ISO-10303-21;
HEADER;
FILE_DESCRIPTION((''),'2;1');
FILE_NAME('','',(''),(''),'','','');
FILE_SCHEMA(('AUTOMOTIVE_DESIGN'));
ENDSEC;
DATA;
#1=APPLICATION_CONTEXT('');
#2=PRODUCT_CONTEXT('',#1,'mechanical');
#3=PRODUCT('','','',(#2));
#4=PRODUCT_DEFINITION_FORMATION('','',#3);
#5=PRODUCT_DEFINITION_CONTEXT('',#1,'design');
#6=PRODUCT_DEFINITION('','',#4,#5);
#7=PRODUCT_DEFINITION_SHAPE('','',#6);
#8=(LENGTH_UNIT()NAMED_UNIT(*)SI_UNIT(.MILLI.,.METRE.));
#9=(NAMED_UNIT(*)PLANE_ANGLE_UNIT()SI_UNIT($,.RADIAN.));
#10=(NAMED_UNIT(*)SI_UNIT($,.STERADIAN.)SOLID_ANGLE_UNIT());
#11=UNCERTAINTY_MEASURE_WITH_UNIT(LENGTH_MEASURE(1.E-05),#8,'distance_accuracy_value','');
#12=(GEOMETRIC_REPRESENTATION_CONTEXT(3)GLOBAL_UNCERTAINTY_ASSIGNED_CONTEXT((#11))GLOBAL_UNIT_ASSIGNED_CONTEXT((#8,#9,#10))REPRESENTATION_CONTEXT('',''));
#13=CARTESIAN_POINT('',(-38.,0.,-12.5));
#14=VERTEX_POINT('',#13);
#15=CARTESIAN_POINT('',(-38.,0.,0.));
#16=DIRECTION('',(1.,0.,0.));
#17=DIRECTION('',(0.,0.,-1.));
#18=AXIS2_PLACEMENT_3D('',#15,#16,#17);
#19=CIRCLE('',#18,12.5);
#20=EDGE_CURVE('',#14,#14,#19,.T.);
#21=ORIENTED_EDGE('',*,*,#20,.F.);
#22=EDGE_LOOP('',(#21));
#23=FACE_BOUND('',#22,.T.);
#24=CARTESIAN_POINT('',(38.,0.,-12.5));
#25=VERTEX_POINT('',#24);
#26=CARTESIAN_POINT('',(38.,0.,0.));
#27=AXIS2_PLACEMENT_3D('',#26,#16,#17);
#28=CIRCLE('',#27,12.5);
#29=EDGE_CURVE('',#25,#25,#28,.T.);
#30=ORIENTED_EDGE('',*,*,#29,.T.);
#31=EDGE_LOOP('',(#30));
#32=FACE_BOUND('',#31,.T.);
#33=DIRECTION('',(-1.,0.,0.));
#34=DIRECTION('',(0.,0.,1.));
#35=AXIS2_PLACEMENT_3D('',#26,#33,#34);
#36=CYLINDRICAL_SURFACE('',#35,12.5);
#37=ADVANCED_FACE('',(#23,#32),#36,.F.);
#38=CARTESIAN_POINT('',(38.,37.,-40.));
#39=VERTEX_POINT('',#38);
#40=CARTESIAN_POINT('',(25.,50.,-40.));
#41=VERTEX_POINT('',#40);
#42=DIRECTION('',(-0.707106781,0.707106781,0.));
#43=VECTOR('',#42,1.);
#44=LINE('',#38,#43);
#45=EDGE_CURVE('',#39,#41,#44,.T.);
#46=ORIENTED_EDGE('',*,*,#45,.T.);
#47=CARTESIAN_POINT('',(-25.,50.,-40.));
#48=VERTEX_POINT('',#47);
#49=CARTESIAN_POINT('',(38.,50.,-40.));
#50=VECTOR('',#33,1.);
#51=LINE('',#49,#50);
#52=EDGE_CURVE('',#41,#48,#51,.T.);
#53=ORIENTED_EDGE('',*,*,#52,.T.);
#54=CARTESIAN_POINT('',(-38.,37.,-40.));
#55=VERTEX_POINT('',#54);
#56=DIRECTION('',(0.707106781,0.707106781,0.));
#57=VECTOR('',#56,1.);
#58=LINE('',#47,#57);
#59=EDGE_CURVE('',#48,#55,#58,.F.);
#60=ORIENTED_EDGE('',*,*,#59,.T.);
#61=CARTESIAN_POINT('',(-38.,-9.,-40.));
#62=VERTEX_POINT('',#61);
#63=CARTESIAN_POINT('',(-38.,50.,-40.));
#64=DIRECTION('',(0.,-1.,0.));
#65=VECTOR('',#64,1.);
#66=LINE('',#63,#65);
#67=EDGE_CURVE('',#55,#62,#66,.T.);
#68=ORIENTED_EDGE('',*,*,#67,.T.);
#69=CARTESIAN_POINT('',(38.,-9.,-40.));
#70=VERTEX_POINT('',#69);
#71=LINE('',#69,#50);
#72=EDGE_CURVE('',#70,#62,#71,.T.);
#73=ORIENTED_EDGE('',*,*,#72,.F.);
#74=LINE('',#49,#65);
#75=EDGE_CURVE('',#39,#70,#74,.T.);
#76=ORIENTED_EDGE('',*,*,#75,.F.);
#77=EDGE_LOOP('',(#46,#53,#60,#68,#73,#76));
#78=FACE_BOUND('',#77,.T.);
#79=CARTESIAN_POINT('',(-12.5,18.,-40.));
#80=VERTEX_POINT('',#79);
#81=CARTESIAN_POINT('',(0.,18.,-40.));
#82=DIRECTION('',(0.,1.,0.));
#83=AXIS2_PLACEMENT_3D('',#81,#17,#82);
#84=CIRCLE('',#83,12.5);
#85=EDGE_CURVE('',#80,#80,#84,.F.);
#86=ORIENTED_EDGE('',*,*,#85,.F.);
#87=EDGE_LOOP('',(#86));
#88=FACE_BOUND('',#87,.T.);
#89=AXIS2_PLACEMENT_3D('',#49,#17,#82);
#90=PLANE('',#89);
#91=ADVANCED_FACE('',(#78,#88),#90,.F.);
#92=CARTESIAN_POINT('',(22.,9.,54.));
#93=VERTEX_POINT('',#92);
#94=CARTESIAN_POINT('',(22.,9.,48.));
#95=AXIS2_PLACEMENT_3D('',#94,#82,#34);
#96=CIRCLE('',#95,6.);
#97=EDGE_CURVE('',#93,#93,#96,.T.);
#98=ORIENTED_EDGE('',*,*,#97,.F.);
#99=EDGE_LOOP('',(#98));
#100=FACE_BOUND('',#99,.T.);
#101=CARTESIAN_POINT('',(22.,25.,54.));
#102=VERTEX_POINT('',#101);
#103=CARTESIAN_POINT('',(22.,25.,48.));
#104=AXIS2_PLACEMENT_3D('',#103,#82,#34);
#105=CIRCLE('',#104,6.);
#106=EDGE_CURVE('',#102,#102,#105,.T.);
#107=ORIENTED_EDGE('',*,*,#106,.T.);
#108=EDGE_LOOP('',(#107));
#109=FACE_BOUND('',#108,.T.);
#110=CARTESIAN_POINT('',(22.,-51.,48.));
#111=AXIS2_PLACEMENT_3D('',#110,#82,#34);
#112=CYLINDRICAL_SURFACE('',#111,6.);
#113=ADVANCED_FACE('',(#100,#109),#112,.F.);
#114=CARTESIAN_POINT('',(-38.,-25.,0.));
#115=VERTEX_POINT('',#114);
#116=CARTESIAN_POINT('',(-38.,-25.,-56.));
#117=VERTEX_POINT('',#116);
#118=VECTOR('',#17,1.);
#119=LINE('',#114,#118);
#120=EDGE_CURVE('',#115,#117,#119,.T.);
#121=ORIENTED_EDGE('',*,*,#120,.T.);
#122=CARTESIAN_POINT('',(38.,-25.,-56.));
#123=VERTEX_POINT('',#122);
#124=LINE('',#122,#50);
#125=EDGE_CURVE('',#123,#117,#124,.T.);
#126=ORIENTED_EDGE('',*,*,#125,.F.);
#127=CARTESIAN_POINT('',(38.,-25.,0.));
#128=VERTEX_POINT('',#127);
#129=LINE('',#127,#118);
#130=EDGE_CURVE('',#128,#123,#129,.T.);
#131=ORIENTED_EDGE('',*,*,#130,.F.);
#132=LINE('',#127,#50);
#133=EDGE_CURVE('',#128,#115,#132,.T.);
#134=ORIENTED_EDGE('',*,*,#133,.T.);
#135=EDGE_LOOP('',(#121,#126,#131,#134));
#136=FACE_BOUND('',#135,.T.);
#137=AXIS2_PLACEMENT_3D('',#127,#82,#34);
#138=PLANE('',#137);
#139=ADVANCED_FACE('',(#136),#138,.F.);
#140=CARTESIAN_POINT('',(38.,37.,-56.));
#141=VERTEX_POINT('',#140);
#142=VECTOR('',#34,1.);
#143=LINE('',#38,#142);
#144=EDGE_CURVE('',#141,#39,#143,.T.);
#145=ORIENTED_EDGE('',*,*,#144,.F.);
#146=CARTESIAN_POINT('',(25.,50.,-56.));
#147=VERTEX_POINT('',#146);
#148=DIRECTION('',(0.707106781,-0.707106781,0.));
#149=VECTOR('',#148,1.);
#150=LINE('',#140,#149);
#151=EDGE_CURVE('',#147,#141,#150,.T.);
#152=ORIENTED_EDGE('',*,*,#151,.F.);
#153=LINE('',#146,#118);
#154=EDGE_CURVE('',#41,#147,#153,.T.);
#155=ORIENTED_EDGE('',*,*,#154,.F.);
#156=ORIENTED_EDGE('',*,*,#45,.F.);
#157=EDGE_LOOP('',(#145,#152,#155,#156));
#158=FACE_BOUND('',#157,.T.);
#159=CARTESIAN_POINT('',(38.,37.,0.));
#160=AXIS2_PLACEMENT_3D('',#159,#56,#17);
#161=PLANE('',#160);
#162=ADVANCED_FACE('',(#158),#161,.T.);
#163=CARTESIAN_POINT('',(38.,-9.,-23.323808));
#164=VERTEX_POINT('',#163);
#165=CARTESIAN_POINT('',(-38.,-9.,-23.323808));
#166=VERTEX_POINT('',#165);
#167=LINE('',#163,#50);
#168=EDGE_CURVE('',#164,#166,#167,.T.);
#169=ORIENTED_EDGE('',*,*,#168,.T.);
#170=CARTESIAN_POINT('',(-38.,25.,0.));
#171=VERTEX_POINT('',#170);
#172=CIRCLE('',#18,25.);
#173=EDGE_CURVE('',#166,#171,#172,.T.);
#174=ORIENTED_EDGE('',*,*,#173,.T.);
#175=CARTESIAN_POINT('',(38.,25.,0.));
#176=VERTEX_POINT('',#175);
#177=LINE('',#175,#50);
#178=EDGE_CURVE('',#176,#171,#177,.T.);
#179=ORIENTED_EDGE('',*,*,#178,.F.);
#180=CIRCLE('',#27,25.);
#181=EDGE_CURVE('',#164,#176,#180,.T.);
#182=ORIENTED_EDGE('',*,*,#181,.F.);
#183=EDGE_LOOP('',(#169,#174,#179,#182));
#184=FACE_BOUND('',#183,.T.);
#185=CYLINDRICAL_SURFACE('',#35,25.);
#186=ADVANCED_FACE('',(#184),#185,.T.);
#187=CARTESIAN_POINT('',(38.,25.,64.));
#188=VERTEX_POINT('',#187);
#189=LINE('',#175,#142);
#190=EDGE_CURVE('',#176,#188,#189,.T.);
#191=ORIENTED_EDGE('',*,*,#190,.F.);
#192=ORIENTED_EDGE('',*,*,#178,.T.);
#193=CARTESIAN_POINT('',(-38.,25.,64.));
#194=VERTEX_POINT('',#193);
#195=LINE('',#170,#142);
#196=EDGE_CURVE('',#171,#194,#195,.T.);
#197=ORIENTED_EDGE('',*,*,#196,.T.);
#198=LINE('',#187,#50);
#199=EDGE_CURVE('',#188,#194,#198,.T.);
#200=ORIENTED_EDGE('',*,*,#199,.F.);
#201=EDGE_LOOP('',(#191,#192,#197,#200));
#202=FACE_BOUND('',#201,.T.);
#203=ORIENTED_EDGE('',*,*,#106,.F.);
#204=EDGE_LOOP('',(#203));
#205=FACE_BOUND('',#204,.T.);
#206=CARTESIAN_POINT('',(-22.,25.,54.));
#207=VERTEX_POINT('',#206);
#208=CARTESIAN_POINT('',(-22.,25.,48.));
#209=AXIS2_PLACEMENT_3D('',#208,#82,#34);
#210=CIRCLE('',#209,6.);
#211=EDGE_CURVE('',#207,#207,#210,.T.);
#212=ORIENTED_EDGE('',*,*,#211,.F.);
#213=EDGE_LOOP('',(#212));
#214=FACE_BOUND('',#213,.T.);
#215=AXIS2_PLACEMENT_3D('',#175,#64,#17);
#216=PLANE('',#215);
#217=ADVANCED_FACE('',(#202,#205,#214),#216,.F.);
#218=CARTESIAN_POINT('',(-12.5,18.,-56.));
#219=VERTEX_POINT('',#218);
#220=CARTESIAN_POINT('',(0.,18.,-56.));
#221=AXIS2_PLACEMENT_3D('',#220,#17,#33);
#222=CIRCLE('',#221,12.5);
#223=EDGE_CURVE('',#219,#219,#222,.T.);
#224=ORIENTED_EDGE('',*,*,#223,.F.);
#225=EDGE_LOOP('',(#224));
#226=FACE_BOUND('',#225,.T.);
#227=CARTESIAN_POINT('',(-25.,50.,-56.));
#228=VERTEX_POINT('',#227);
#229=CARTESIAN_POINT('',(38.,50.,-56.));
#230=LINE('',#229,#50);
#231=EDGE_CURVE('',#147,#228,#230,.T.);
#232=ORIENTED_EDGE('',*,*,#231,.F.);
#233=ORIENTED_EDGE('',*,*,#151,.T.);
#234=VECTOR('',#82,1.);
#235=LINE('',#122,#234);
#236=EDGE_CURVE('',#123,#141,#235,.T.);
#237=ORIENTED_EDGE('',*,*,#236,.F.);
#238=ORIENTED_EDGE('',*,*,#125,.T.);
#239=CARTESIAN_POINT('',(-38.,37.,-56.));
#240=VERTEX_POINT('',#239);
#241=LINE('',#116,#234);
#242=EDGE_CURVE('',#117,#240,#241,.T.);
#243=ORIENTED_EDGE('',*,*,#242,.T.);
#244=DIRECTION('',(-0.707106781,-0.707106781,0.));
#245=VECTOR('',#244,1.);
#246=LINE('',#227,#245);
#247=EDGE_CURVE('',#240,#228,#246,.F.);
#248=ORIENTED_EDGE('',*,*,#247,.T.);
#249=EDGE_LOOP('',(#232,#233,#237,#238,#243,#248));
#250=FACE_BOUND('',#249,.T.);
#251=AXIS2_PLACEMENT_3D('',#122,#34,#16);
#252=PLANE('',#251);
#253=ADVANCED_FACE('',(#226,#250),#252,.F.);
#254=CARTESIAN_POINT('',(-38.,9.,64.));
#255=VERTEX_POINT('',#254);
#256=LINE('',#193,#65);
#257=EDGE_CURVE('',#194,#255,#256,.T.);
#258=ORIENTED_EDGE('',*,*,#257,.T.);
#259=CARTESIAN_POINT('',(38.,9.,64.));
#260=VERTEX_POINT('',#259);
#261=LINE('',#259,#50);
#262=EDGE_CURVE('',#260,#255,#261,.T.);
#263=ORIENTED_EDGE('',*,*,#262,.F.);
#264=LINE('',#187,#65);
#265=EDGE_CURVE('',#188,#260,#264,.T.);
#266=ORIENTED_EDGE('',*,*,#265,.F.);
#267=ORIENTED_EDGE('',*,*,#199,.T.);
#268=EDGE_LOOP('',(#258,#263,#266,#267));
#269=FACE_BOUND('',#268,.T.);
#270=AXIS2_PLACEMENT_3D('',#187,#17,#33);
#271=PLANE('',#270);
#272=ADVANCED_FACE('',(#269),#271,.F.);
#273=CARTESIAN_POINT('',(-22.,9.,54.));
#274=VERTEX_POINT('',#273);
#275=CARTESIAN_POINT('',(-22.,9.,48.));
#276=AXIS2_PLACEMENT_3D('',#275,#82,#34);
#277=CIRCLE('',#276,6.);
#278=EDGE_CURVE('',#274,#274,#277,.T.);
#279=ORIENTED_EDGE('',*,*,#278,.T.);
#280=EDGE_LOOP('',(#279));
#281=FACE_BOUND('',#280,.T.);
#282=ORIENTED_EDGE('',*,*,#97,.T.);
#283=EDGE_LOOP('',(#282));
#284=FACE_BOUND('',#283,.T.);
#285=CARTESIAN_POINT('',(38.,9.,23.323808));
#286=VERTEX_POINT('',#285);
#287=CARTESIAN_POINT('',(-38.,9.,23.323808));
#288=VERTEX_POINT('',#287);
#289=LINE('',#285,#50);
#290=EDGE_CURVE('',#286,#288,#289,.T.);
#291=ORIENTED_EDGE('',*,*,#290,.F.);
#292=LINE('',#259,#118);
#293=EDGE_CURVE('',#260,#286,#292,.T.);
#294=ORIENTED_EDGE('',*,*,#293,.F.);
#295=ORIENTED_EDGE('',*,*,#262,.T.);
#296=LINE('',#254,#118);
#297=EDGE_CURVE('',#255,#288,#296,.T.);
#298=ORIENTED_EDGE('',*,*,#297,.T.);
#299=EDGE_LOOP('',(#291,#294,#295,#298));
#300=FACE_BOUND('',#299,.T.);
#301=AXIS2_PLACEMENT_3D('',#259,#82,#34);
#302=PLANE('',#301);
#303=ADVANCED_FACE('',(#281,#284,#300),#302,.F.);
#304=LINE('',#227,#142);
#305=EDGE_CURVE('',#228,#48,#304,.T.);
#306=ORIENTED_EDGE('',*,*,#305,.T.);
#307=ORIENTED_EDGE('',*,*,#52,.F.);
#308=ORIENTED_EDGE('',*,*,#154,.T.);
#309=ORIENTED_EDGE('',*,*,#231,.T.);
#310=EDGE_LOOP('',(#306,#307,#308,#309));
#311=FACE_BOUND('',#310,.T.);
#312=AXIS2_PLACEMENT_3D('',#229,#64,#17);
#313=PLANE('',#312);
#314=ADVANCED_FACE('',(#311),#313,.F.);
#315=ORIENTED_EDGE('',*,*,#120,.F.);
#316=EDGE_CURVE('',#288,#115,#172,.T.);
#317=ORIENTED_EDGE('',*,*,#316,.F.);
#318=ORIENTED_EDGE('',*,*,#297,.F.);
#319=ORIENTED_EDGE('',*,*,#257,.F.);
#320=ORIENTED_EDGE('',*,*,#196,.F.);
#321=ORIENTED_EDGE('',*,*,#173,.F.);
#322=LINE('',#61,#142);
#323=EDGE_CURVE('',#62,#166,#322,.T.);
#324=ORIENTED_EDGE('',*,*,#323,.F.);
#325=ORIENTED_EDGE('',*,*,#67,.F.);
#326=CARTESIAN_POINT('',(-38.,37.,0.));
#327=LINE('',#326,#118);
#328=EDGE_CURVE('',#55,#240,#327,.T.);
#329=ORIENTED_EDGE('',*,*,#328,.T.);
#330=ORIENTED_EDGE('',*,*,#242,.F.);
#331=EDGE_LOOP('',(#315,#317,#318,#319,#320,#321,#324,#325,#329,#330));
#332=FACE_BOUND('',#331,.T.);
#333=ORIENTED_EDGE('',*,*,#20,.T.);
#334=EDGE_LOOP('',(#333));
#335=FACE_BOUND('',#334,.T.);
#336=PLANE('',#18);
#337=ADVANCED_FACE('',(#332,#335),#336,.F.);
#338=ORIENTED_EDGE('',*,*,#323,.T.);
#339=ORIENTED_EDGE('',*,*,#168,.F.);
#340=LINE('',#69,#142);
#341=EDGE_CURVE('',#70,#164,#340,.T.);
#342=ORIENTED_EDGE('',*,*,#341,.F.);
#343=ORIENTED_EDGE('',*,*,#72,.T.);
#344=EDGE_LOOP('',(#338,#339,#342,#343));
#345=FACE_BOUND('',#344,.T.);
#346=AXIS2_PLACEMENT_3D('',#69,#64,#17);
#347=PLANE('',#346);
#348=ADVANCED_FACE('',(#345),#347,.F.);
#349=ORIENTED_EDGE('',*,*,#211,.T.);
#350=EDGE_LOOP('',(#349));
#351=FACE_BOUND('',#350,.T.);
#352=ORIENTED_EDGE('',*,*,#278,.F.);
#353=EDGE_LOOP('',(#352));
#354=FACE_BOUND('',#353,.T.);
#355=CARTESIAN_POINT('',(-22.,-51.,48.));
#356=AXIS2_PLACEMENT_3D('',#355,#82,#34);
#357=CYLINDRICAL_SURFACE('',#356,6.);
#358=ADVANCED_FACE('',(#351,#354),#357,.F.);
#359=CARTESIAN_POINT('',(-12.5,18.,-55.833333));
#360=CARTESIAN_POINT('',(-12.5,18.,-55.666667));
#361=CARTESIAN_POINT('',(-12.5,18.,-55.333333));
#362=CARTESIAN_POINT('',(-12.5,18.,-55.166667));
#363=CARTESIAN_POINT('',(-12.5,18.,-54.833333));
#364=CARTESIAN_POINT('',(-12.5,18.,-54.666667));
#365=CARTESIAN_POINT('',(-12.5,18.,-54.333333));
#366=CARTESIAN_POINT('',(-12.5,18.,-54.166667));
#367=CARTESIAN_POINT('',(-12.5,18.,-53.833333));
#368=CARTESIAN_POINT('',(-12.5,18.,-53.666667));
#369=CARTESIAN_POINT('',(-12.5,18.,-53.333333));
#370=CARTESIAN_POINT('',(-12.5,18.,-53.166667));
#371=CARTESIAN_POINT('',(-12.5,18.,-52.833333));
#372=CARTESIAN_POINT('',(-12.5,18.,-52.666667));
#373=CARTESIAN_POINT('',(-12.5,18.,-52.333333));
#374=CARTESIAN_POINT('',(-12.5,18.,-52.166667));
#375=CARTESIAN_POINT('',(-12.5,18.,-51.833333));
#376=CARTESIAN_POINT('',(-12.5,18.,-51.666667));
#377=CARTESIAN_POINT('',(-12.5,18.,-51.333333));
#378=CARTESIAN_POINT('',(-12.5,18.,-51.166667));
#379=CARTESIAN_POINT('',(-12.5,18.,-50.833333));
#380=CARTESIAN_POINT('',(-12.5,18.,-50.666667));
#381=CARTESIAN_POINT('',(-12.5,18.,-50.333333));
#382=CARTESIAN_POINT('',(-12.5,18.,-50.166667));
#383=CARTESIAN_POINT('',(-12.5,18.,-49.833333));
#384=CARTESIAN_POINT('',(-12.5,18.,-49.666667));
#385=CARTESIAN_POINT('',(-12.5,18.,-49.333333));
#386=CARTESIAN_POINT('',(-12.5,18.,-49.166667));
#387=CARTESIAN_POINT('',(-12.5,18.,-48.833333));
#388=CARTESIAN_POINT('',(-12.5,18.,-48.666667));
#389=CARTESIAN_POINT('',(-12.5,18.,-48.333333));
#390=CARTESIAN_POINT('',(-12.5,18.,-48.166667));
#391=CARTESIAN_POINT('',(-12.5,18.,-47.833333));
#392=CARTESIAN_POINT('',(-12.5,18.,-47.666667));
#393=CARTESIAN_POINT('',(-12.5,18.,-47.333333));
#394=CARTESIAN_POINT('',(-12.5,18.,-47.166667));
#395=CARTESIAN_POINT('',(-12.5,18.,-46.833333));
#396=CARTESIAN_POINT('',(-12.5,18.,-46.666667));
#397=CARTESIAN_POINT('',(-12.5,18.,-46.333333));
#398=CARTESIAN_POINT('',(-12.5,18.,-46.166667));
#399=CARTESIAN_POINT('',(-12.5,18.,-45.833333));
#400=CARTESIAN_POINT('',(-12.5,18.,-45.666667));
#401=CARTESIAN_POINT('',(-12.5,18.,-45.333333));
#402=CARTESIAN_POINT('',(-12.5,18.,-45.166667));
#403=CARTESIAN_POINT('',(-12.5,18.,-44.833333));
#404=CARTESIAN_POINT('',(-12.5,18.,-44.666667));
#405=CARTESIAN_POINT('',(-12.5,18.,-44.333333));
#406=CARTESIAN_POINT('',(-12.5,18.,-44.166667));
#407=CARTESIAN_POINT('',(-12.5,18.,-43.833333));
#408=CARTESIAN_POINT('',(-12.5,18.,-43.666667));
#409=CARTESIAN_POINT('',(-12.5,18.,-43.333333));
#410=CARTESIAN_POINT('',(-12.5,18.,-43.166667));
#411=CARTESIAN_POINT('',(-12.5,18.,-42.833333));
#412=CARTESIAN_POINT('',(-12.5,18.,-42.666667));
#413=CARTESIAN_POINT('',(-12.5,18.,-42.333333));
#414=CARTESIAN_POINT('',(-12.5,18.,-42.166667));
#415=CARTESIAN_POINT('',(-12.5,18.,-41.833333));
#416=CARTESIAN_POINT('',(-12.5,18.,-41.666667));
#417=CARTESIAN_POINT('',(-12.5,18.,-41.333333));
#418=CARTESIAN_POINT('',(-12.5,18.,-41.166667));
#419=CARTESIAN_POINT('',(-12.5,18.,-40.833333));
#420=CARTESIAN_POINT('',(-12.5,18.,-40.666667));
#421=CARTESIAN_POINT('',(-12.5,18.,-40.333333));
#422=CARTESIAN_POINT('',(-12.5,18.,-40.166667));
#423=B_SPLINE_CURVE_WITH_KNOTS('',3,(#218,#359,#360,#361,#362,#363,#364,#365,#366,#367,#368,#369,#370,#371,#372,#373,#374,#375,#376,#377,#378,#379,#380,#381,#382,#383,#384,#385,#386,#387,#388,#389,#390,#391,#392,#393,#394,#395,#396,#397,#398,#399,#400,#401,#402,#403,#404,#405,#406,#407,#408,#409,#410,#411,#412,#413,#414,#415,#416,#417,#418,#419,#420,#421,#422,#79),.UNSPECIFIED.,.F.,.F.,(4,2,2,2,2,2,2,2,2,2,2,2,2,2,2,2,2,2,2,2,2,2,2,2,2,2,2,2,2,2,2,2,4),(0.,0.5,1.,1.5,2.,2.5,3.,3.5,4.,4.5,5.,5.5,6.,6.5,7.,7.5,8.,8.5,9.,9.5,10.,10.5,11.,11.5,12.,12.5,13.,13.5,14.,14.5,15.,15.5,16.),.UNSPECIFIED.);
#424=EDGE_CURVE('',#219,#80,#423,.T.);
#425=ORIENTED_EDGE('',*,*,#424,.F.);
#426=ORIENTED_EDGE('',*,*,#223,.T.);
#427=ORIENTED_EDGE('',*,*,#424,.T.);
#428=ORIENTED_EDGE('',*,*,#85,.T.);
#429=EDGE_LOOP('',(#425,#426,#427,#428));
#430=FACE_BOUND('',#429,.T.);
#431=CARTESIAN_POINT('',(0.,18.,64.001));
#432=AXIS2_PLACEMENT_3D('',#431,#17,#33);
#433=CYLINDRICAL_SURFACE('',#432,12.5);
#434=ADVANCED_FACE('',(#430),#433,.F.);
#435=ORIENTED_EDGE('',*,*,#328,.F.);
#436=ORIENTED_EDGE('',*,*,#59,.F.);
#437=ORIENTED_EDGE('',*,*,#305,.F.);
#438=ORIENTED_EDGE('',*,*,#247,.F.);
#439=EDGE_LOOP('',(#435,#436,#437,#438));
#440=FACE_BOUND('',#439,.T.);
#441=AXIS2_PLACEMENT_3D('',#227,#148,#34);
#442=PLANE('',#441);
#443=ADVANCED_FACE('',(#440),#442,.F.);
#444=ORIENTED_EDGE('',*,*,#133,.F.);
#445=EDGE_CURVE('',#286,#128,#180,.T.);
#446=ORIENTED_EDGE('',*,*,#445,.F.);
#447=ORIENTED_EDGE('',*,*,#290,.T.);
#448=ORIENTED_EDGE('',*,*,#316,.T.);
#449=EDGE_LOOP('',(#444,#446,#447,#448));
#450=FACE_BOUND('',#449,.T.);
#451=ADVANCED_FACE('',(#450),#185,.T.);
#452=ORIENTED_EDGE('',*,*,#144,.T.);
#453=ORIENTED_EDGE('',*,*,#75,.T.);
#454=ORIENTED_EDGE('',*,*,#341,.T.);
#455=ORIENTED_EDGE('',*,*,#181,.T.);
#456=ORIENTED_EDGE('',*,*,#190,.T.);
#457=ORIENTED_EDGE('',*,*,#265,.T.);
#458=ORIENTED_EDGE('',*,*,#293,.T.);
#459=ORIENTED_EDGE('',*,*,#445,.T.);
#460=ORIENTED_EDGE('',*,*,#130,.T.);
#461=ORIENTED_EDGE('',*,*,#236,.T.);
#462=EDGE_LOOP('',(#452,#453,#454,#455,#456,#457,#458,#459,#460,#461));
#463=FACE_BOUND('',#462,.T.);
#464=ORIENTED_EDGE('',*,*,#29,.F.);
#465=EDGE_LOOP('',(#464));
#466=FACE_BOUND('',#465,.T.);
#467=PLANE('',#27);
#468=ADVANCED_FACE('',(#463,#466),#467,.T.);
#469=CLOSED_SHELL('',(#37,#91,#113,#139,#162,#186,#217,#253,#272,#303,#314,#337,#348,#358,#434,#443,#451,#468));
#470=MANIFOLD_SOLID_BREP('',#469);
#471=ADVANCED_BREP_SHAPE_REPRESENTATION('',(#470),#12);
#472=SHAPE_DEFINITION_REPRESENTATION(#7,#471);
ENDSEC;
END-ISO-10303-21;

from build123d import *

# Parameters (mm, degrees)
SKETCH1_R           = 12.5
BOSS_EXTRUDE1_DEPTH = 38
SKETCH2_R           = 6
CUT_EXTRUDE1_DEPTH  = 76
CUT_EXTRUDE2_REACH  = 137.44
SKETCH3_R           = 12.5
CHAMFER1_SIZE       = 13


with BuildPart() as part:
    # Sketch1 → Boss-Extrude1 (new, symmetric)
    with BuildSketch(Plane(origin=(0, 0, 0), x_dir=(0, 0, -1), z_dir=(1, 0, 0))):
        with BuildLine():
            Line((0, 25), (-64, 25))
            Line((-64, 25), (-64, 9))
            Line((-64, 9), (-23.323807579, 9))
            ThreePointArc((-23.323807579, 9), (-20.615528128, -14.142135624), (0, -25))
            Line((0, -25), (56, -25))
            Line((56, -25), (56, 50))
            Line((56, 50), (40, 50))
            Line((40, 50), (40, -9))
            Line((40, -9), (23.323807579, -9))
            ThreePointArc((23.323807579, -9), (20.615528128, 14.142135624), (0, 25))
        make_face()
        Circle(SKETCH1_R, mode=Mode.SUBTRACT)
    extrude(amount=BOSS_EXTRUDE1_DEPTH, both=True)

    # Sketch2 → Cut-Extrude1 (cut)
    with BuildSketch(Plane(origin=(0, 25, 0), x_dir=(1, 0, 0), z_dir=(0, 1, 0))):
        with Locations(Location((-22, -48, 0), (0, 0, 270))):
            Circle(SKETCH2_R)
        with Locations(Location((22, -48, 0), (0, 0, 270))):
            Circle(SKETCH2_R)
    extrude(amount=-CUT_EXTRUDE1_DEPTH, mode=Mode.SUBTRACT)

    # Sketch3 → Cut-Extrude2 (cut, up to next)
    with BuildSketch(Plane(origin=(0, 0, -56), x_dir=(-1, 0, 0), z_dir=(0, 0, -1)), mode=Mode.PRIVATE) as cut_extrude2_sk1:
        with Locations((0, 18)):
            Circle(SKETCH3_R)
    cut_extrude2_tool1 = extrude(cut_extrude2_sk1.sketch, amount=-CUT_EXTRUDE2_REACH, mode=Mode.PRIVATE) & part.part
    add(cut_extrude2_tool1.solids().sort_by_distance((0, 18, -56))[0], mode=Mode.SUBTRACT)

    # Chamfer1
    chamfer1_edges = [part.edges().sort_by_distance(p)[0] for p in [
        (-38, 50, -48),
        (38, 50, -48),
    ]]
    chamfer(chamfer1_edges, length=CHAMFER1_SIZE)


solid = part.part
